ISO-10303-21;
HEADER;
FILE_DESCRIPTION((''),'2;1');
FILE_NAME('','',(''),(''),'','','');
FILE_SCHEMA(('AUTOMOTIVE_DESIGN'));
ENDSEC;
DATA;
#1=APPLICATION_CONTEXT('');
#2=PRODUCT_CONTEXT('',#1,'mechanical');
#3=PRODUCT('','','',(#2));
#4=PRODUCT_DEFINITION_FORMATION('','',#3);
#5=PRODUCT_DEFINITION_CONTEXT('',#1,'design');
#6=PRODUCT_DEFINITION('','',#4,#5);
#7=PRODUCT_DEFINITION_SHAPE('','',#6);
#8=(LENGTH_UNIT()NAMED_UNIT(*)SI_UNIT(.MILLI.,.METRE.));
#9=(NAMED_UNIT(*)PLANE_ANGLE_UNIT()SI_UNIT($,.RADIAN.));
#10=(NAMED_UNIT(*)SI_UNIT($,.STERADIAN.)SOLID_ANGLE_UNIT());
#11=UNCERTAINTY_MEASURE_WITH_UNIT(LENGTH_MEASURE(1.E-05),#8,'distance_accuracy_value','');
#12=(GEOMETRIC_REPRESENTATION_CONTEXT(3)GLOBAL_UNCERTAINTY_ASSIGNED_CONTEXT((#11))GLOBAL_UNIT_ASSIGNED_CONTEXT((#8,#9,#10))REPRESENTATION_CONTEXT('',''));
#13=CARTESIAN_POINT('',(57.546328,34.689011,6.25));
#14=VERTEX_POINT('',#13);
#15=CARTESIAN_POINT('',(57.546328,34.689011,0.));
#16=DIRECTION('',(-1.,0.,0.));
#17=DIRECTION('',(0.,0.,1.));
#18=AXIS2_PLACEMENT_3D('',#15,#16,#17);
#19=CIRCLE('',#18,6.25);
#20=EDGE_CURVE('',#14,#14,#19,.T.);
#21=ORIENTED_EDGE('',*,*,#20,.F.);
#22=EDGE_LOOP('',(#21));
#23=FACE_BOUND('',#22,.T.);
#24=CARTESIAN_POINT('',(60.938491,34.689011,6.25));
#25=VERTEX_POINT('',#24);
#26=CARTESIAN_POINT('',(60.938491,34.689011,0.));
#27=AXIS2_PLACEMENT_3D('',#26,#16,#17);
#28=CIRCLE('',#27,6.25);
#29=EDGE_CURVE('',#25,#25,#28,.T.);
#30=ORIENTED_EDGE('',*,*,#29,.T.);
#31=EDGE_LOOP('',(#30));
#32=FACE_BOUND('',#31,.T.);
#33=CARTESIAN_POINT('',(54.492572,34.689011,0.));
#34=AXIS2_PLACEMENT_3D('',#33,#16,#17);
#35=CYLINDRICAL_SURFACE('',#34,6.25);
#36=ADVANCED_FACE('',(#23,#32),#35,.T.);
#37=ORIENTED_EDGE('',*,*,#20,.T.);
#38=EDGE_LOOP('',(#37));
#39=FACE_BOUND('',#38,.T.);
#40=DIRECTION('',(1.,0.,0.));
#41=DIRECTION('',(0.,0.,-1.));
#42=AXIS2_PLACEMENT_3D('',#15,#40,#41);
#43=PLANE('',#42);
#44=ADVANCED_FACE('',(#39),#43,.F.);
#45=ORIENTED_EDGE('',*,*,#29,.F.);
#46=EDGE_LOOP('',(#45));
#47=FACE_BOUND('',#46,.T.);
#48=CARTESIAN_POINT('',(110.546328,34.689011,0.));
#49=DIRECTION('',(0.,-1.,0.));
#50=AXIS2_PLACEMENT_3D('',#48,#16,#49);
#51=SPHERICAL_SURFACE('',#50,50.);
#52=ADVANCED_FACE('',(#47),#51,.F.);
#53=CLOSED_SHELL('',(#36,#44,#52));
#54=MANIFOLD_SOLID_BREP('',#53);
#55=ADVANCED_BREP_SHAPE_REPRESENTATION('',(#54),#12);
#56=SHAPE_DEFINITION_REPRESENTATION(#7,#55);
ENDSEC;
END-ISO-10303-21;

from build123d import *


with BuildPart() as part:
    # 草图1 → 旋转1 (revolve)
    with BuildSketch(Plane.XY, mode=Mode.PRIVATE) as revolve_1_sk:
        with BuildLine():
            Line((57.546327767, 34.689010562), (57.546327767, 40.939010562))
            Line((57.546327767, 40.939010562), (60.93849052, 40.939010562))
            ThreePointArc((60.93849052, 40.939010562), (60.64446464, 37.820156189), (60.546327602, 34.689010562))
            Line((60.546327602, 34.689010562), (57.546327767, 34.689010562))
        make_face()
    revolve(revolve_1_sk.sketch.rotate(Axis((54.492571501, 34.689010562, 0), (1, 0, 0)), 180), axis=Axis((54.492571501, 34.689010562, 0), (1, 0, 0)))  # turned: the seam where the file's is


solid = part.part
